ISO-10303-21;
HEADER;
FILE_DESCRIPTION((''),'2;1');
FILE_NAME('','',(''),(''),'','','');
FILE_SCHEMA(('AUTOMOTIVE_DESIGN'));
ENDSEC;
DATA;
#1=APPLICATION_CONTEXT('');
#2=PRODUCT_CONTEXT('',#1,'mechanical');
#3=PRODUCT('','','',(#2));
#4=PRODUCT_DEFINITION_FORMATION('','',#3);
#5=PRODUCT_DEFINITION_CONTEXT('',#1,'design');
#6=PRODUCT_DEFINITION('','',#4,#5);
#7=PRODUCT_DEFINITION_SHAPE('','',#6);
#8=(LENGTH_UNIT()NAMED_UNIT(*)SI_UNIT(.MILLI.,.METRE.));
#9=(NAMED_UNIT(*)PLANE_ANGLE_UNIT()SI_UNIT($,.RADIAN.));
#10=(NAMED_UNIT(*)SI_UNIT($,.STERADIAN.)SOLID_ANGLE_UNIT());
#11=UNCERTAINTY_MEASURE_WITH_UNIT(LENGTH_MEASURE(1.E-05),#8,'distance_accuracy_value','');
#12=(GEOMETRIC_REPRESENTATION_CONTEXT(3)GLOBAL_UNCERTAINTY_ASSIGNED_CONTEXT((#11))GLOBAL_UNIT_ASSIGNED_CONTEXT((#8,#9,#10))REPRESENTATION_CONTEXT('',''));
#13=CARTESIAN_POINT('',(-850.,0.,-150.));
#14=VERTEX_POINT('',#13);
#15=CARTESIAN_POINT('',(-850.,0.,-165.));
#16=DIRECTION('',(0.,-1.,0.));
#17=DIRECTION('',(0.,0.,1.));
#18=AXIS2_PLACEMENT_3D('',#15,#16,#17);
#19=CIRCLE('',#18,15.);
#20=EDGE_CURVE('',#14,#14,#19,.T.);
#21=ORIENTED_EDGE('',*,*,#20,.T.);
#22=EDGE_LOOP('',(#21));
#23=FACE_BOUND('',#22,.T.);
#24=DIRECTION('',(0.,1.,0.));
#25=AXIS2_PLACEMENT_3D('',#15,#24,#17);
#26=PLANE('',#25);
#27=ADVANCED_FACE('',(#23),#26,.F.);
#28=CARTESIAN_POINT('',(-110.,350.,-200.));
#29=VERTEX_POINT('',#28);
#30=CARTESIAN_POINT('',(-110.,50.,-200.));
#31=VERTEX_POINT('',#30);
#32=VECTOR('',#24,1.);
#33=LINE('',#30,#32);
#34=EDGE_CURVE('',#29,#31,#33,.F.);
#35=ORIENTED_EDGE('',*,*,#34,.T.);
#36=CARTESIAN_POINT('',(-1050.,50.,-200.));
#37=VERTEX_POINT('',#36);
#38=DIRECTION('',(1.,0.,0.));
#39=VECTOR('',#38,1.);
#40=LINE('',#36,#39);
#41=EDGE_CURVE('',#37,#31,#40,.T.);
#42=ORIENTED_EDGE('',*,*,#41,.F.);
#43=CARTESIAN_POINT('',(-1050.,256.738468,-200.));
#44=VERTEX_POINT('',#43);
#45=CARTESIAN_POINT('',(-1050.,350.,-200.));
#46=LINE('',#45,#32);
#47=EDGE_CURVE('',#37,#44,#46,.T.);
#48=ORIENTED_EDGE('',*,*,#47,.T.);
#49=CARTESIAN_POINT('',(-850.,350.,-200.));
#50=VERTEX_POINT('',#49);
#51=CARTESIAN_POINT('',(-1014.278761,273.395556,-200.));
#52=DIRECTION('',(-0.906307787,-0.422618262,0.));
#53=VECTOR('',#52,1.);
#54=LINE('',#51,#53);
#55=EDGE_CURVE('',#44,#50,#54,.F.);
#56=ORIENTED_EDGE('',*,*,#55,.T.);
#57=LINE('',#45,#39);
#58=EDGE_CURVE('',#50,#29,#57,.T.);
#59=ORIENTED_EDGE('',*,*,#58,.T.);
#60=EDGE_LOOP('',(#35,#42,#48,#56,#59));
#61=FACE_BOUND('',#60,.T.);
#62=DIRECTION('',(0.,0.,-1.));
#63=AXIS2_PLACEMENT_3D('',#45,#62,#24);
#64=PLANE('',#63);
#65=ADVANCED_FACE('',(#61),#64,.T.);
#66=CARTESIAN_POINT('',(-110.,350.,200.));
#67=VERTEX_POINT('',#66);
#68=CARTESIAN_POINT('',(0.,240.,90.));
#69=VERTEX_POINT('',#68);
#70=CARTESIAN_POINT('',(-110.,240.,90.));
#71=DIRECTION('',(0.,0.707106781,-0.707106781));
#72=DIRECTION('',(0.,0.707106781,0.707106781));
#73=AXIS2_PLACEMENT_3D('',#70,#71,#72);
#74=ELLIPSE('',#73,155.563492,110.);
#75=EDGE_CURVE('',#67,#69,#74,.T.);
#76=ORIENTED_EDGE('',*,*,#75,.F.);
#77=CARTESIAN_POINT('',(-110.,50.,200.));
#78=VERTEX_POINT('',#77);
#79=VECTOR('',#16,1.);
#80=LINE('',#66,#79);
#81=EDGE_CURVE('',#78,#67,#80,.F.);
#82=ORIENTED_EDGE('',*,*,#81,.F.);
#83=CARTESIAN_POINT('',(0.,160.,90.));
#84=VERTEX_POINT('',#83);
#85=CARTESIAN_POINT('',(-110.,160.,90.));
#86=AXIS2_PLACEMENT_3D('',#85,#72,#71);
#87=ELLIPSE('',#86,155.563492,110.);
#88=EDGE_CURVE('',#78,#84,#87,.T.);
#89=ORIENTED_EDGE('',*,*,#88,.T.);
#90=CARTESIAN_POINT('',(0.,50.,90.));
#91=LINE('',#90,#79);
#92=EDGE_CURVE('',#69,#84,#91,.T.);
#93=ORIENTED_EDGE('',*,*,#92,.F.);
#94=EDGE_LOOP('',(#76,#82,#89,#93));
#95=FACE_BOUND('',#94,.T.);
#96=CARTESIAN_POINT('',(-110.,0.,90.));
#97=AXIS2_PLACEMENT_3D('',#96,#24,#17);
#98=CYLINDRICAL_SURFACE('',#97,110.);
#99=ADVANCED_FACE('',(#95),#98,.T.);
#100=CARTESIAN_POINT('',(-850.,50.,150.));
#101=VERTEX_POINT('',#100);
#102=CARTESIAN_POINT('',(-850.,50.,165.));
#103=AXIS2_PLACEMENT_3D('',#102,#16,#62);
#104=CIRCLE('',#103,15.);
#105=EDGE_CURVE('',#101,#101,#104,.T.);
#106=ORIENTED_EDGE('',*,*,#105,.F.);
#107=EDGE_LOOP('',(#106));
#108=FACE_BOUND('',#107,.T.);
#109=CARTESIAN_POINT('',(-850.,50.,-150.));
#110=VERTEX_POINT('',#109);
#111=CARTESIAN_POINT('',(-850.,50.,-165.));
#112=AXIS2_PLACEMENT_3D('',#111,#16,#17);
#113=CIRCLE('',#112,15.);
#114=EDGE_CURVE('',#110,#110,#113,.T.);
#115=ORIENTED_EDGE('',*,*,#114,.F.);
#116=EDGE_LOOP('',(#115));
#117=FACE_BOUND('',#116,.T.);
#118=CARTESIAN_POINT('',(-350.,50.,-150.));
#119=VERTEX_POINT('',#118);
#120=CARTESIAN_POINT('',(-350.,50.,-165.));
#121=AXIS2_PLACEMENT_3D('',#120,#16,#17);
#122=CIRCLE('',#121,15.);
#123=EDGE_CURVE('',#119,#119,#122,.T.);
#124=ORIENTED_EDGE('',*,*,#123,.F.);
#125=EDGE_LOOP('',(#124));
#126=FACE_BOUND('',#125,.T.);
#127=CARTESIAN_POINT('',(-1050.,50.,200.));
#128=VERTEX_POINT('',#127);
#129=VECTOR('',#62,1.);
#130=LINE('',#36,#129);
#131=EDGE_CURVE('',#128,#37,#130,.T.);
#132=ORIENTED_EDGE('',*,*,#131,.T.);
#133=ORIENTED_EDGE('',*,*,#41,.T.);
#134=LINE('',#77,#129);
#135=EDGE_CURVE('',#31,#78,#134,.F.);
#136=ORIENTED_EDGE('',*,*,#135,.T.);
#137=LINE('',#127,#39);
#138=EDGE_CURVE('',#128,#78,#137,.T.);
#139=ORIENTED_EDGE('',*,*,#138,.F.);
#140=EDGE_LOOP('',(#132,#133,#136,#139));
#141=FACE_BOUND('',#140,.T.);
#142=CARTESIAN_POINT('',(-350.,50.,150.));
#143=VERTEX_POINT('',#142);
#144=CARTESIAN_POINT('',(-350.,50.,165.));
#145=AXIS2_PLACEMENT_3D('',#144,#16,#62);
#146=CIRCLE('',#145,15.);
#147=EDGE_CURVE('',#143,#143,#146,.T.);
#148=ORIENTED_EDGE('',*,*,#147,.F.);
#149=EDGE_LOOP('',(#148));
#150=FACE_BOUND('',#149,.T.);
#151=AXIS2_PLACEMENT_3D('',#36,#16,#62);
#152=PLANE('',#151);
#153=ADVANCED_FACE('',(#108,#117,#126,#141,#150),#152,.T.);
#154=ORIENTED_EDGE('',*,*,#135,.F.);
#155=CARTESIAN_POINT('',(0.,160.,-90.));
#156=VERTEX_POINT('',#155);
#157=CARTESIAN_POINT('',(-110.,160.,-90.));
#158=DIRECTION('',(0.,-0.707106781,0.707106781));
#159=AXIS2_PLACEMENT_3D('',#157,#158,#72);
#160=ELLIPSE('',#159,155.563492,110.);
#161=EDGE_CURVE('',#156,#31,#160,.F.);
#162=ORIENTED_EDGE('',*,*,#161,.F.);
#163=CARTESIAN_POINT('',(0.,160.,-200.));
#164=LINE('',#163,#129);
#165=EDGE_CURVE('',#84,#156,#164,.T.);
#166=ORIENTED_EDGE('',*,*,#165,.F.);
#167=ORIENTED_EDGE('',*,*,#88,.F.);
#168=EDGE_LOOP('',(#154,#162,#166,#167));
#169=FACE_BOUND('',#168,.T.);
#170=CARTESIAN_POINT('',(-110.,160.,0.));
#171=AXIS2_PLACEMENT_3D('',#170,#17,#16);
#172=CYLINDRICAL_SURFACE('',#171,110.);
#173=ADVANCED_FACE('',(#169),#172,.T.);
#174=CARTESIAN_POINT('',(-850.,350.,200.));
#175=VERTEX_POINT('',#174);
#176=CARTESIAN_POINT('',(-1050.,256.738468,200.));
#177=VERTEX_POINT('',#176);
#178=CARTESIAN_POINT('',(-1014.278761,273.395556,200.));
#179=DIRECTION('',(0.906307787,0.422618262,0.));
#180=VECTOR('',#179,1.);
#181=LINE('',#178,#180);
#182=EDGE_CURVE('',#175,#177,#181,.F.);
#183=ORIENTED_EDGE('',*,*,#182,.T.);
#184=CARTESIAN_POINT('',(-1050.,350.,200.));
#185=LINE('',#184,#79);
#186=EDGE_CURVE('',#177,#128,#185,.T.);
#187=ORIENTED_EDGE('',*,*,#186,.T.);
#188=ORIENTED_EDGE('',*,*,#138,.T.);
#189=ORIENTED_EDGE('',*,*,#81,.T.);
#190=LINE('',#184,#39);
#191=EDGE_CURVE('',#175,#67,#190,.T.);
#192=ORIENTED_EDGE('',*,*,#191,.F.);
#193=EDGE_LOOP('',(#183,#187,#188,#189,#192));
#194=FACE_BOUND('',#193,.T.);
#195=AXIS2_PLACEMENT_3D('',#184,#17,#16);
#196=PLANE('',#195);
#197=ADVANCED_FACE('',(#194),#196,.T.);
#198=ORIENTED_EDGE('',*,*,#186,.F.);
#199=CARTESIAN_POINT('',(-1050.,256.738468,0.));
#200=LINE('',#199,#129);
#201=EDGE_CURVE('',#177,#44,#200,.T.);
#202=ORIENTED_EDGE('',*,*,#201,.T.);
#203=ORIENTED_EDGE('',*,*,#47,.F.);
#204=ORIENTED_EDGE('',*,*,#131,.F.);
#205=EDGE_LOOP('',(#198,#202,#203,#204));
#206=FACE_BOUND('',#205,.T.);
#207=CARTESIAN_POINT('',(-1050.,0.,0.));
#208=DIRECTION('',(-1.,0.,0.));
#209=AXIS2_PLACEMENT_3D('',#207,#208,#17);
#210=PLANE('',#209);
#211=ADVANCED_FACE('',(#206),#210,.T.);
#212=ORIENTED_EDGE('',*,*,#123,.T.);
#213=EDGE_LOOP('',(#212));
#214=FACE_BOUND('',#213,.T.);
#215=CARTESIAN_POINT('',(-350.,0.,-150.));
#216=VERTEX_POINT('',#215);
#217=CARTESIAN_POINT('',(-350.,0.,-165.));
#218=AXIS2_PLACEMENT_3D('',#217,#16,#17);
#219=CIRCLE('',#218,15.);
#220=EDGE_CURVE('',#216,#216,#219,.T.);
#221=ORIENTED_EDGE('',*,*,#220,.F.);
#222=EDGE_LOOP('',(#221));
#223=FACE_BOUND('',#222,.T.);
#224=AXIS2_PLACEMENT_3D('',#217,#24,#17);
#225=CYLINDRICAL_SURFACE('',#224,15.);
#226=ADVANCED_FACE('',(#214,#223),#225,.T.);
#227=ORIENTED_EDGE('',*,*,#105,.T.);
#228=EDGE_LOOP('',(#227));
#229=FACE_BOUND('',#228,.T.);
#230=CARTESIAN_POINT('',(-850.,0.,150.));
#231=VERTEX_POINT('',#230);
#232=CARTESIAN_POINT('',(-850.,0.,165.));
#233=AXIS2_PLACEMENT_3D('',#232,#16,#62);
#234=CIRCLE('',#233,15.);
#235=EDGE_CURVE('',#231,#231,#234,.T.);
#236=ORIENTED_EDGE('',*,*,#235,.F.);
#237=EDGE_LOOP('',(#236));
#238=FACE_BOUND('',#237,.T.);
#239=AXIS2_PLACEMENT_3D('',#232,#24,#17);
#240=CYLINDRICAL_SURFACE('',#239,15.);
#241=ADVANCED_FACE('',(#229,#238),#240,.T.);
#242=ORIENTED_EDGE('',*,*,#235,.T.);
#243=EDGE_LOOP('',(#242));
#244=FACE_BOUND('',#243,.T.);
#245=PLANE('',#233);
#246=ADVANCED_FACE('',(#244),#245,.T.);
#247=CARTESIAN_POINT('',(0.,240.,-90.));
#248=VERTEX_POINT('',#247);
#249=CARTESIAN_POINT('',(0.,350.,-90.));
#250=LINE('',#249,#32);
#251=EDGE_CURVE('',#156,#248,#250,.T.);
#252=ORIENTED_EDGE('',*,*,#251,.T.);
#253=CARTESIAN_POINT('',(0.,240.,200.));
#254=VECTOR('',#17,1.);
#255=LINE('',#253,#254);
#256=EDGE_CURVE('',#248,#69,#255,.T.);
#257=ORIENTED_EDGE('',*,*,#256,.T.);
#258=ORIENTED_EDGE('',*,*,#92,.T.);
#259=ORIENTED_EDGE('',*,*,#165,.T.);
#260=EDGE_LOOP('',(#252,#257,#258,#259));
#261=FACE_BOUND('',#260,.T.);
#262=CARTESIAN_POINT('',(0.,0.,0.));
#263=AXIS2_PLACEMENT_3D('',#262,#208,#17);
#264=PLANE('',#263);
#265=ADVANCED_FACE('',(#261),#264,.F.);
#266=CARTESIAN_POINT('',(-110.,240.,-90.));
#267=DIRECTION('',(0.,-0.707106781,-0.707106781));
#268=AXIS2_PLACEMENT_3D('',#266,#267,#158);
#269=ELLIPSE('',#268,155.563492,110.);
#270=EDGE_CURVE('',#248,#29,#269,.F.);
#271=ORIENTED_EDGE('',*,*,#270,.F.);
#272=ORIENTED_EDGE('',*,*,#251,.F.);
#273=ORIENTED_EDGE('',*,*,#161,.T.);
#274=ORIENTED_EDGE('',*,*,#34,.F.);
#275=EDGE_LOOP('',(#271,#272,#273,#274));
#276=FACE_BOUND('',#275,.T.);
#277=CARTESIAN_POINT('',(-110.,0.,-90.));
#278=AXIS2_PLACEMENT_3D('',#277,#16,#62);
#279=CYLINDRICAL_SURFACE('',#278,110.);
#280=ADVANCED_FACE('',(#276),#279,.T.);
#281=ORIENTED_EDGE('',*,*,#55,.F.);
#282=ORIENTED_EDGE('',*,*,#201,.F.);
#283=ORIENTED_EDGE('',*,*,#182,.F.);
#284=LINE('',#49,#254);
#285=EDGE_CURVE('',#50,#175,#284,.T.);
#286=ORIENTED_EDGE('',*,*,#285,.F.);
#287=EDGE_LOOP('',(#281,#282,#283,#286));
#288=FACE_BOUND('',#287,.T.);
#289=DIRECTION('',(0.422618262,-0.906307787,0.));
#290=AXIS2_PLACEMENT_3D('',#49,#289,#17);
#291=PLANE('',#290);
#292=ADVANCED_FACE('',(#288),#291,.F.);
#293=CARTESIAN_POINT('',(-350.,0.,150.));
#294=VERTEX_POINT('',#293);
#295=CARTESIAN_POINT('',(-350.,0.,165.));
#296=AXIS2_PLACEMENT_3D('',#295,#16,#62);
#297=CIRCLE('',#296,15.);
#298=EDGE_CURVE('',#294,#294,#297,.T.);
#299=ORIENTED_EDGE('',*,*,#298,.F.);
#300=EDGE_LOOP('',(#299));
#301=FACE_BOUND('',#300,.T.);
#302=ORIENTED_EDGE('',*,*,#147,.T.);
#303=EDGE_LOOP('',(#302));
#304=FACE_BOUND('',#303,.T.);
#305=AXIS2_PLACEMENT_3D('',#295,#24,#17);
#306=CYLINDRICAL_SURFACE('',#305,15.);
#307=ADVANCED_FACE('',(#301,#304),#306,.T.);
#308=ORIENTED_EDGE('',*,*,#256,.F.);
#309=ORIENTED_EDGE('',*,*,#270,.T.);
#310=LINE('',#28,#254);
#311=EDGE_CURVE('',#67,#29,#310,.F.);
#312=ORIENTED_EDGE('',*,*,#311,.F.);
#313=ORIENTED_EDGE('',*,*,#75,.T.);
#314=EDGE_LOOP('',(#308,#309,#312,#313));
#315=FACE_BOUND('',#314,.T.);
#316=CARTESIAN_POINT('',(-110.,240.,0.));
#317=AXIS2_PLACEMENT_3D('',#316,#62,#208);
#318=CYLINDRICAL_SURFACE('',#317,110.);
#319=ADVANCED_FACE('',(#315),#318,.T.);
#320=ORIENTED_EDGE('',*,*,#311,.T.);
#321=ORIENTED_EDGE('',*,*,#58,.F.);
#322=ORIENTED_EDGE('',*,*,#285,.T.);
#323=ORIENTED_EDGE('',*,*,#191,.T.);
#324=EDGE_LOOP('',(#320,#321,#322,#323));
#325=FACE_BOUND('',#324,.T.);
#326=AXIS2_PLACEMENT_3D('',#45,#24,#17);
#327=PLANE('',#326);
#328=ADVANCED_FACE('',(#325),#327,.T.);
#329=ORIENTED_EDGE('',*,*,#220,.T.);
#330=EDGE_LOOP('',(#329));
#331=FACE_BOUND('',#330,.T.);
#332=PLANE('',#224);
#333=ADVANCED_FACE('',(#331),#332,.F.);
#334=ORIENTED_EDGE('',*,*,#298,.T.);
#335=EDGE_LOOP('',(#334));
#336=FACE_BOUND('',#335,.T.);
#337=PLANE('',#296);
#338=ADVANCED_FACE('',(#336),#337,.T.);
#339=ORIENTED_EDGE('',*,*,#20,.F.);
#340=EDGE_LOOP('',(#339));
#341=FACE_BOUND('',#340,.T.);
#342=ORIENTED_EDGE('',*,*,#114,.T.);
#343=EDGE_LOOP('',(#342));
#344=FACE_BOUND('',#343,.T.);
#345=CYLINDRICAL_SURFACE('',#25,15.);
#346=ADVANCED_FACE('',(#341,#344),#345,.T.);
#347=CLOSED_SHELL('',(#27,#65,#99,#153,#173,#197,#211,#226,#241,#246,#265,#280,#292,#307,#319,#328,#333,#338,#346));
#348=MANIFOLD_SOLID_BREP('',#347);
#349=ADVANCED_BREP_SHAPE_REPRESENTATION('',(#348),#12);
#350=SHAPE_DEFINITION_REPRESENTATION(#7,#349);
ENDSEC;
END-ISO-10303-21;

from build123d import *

# Parameters (mm, degrees)
SKETCH3_W           = 400
SKETCH3_H           = 300
BOSS_EXTRUDE2_DEPTH = 1050
FILLET1_R           = 110
CHAMFER1_SIZE       = 200
CHAMFER1_SIZE2      = 93.261531631
SKETCH4_R           = 15
BOSS_EXTRUDE3_DEPTH = 50


with BuildPart() as part:
    # Sketch3 → Boss-Extrude2 (new body)
    with BuildSketch(Plane(origin=(0, 0, 0), x_dir=(0, 0, -1), z_dir=(1, 0, 0))):
        with Locations((0, 200)):
            Rectangle(SKETCH3_W, SKETCH3_H)
    extrude(amount=-BOSS_EXTRUDE2_DEPTH)

    # Fillet1
    fillet1_edges = [part.edges().sort_by_distance(p)[0] for p in [
        (0, 350, 0),
        (0, 200, -200),
        (0, 50, 0),
        (0, 200, 200),
    ]]
    fillet(fillet1_edges, radius=FILLET1_R)

    # Chamfer1
    chamfer1_edges = [part.edges().sort_by_distance(p)[0] for p in [
        (-1050, 350, 0),
    ]]
    chamfer1_side = [part.faces().sort_by_distance(p)[0] for p in [
        (-580, 350, 0),
    ]]
    chamfer(chamfer1_edges, length=CHAMFER1_SIZE, length2=CHAMFER1_SIZE2, reference=chamfer1_side[0])

    # Sketch4 → Boss-Extrude3 (add)
    with BuildSketch(Plane.XZ.offset(-50)):
        with Locations(Location((-850, 165, 0), (0, 0, 270))):
            Circle(SKETCH4_R)
        with Locations(Location((-350, 165, 0), (0, 0, 270))):
            Circle(SKETCH4_R)
        with Locations(Location((-350, -165, 0), (0, 0, 90))):
            Circle(SKETCH4_R)
        with Locations(Location((-850, -165, 0), (0, 0, 90))):
            Circle(SKETCH4_R)
    extrude(amount=BOSS_EXTRUDE3_DEPTH)


solid = part.part
